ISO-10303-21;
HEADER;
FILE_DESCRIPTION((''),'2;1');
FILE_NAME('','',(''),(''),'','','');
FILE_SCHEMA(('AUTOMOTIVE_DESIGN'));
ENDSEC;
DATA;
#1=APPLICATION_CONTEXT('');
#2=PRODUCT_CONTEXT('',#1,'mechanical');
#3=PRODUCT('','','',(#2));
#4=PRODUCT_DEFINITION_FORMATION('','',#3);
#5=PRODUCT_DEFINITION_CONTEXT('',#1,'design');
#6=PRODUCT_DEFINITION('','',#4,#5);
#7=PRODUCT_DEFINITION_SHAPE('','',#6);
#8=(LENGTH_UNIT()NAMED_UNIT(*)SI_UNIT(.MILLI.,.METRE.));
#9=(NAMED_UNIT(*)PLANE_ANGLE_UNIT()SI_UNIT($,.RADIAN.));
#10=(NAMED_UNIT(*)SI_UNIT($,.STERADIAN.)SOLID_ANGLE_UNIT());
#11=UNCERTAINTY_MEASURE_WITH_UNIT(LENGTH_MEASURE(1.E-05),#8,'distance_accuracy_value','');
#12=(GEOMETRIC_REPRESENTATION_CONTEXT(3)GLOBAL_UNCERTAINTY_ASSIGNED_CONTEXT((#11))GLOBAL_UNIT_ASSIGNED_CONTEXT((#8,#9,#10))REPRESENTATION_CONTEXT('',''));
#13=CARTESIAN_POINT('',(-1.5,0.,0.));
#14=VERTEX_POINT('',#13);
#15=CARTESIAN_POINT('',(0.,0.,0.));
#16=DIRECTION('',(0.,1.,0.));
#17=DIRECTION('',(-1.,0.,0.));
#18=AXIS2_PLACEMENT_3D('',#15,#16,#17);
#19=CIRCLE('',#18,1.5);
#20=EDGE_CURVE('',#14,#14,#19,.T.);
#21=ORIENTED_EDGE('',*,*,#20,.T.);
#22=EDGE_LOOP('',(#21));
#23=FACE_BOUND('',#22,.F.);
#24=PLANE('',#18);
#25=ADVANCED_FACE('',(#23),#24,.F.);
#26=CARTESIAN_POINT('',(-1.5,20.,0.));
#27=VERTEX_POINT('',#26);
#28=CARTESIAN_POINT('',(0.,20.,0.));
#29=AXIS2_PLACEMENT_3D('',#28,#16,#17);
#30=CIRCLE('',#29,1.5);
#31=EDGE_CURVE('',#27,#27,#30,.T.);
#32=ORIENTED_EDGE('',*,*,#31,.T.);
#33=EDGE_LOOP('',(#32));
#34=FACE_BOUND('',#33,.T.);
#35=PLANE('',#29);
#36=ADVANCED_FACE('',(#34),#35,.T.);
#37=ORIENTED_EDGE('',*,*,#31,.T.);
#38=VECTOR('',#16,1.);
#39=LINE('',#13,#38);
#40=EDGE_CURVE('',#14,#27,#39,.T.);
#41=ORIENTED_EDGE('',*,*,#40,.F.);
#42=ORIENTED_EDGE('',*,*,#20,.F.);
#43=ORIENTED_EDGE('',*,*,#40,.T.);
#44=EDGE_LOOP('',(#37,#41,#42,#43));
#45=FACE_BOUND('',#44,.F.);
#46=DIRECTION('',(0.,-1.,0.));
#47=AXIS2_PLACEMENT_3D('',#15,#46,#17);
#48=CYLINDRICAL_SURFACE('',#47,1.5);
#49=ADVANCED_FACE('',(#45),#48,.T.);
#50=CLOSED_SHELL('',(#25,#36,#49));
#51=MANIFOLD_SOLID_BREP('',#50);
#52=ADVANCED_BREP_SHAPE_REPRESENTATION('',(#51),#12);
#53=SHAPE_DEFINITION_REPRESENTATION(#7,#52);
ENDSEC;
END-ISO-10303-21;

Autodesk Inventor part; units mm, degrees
ref_plane "YZ Plane" through (0, 0, 0) normal (1, 0, 0) x (0, 1, 0)
ref_plane "XZ Plane" through (0, 0, 0) normal (0, 1, 0) x (-1, 0, 0)
ref_plane "XY Plane" through (0, 0, 0) normal (0, 0, 1) x (1, 0, 0)
sketch "草图1" plane through (0, 0, 0) normal (0, 1, 0) x (-1, 0, 0)
  circle A0 centre (0, 0) radius 1.5
  dimension "d0" = 3
extrude "拉伸1" add sketch "草图1" along normal blind 20
properties part number "小短轴"
